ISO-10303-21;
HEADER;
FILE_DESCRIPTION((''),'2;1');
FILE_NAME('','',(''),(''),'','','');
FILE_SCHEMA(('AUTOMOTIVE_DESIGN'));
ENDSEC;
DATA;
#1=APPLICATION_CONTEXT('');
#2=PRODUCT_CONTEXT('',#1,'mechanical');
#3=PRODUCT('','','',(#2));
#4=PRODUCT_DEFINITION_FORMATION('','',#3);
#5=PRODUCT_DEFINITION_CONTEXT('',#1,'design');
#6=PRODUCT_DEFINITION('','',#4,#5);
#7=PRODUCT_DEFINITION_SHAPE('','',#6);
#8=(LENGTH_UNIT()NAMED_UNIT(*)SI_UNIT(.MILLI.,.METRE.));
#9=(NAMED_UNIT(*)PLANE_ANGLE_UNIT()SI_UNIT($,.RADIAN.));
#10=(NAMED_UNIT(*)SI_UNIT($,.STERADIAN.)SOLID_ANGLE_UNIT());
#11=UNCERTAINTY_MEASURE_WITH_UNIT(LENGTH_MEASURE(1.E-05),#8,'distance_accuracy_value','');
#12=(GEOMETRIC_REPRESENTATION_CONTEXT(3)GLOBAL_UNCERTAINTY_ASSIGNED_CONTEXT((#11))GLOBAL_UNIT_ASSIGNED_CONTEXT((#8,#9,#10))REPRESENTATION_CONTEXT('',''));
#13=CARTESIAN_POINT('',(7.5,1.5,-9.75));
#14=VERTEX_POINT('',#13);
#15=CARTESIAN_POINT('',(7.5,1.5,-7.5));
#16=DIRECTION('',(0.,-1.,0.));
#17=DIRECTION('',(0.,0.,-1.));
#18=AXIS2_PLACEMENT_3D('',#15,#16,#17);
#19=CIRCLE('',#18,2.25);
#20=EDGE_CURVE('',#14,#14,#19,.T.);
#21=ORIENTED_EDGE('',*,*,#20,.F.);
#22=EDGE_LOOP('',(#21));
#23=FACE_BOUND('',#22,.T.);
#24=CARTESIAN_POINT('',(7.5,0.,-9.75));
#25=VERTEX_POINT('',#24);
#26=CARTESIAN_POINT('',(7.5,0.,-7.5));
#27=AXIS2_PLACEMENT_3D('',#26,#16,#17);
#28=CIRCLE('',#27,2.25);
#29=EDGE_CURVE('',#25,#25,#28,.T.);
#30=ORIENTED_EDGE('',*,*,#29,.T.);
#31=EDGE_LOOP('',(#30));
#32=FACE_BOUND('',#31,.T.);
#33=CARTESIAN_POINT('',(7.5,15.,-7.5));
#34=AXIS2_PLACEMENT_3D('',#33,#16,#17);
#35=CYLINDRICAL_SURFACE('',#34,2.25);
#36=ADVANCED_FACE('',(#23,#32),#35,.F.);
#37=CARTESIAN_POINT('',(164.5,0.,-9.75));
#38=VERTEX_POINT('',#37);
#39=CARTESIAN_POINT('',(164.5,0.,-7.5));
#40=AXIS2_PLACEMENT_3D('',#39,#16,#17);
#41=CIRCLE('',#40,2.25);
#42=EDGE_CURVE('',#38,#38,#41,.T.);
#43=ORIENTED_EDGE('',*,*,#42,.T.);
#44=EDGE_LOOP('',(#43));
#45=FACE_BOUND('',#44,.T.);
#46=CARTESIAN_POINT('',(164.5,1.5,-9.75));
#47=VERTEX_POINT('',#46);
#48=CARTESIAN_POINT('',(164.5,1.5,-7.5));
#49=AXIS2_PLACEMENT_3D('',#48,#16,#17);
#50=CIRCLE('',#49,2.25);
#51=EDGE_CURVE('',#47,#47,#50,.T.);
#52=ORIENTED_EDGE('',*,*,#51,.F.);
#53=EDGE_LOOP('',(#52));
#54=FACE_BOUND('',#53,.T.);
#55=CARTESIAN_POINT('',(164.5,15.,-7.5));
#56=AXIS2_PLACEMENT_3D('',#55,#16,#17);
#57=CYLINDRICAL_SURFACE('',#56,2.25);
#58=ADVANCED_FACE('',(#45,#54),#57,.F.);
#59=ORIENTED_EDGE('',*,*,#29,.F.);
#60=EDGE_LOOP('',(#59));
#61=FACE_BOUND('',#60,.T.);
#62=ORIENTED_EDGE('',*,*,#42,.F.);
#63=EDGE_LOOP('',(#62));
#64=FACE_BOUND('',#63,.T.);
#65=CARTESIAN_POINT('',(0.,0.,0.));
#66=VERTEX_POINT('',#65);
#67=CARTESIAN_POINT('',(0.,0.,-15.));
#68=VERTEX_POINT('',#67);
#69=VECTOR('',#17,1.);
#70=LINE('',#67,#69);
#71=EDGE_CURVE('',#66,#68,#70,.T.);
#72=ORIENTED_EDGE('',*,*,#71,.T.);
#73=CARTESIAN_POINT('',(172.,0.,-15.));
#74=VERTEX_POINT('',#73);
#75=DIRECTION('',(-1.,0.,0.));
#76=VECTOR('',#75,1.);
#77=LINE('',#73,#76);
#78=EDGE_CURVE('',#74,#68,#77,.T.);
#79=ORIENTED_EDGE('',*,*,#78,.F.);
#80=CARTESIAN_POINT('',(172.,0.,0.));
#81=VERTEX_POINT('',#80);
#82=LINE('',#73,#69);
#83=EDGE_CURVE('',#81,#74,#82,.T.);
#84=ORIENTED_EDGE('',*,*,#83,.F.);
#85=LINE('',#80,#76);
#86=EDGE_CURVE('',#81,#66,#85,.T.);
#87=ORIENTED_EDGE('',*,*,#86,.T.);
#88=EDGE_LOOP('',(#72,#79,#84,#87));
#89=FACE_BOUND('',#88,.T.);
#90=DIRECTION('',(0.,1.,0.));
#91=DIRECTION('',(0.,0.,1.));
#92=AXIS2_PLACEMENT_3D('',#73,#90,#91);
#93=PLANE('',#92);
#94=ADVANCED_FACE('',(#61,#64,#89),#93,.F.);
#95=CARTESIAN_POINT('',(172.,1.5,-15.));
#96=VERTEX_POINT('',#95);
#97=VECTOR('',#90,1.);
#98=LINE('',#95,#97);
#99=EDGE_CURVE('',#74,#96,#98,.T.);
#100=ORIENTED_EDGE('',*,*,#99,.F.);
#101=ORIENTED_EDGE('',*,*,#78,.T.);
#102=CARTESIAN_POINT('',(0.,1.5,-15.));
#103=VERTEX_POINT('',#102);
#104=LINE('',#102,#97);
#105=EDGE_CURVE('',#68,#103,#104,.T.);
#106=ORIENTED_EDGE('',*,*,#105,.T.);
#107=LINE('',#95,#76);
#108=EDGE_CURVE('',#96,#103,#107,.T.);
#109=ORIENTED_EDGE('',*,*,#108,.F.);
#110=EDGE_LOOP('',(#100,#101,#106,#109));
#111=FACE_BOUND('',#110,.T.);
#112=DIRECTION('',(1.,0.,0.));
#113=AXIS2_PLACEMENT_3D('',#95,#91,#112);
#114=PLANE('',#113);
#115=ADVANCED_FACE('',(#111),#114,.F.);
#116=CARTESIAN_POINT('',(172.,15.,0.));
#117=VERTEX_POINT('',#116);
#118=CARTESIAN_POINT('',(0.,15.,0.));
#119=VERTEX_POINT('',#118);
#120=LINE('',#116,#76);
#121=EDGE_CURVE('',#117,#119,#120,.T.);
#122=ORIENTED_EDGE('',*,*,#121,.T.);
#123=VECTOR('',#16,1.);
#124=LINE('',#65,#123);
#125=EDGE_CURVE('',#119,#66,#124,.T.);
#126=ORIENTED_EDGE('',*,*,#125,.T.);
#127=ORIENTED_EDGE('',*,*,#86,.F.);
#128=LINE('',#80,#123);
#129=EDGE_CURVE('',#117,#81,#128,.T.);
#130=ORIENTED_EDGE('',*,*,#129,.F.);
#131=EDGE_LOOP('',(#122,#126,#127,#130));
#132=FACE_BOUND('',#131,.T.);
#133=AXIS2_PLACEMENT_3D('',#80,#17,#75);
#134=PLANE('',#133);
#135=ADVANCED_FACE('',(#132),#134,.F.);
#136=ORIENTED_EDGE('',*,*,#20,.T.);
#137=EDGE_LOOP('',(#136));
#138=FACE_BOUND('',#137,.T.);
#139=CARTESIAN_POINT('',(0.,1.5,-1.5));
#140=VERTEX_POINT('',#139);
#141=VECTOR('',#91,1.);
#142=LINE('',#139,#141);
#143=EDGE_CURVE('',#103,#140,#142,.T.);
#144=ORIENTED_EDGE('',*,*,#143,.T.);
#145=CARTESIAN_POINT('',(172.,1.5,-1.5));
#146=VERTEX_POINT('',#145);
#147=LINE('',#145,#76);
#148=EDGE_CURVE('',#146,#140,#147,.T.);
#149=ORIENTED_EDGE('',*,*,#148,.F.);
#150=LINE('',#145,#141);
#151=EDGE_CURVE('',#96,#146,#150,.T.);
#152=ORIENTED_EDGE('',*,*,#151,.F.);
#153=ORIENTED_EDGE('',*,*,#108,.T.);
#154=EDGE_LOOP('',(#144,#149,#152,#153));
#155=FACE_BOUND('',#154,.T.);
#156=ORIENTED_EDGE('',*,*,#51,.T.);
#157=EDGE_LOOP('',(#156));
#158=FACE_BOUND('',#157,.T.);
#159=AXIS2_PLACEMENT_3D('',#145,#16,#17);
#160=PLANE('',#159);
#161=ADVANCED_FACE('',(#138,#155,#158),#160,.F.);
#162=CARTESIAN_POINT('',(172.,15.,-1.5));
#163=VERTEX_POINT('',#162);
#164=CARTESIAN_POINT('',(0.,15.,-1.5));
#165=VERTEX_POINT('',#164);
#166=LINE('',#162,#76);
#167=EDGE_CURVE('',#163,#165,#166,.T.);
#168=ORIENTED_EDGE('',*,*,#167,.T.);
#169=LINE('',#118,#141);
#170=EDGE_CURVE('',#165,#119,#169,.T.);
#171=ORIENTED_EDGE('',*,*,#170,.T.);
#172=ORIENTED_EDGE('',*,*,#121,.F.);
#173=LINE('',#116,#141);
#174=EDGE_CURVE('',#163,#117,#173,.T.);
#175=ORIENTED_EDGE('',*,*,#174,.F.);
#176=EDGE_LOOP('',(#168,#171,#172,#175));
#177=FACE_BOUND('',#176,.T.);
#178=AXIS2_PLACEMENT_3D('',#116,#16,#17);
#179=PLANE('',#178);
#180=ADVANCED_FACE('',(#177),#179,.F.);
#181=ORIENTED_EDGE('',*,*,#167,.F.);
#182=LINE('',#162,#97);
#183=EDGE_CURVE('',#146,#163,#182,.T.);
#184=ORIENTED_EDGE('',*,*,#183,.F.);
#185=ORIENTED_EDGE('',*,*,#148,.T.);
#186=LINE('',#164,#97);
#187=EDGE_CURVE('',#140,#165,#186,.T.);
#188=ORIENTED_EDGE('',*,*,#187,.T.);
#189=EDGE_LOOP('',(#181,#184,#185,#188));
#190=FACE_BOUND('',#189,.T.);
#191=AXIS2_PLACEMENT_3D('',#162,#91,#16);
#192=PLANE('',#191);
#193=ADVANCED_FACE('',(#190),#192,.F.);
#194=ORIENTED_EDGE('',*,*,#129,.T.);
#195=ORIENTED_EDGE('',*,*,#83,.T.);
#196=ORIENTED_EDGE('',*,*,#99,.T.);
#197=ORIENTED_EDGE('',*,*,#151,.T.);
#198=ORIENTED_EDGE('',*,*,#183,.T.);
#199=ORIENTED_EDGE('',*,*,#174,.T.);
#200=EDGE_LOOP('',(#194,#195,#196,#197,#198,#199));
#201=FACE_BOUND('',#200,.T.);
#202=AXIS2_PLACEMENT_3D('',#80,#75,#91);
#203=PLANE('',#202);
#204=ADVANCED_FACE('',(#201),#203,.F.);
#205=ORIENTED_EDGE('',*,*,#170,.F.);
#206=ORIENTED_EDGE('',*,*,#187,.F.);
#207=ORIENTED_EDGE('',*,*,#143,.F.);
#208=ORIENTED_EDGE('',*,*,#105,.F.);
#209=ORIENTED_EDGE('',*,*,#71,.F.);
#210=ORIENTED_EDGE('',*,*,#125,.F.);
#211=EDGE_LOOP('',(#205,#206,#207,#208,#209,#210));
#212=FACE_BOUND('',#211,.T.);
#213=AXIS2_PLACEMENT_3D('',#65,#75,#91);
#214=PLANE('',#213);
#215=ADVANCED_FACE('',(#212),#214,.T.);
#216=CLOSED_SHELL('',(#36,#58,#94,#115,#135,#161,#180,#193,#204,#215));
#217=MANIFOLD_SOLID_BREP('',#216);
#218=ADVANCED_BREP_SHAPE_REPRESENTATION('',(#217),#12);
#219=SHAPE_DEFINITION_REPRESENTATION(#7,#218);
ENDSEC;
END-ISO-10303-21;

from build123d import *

# Parameters (mm, degrees)
EXTRUDE_1_DEPTH     = 172
SKETCH_2_R          = 2.25
CUT_EXTRUDE_1_DEPTH = 16


with BuildPart() as part:
    # Эскиз1 → Бобышка-Вытянуть1 (new body)
    with BuildSketch(Plane(origin=(0, 0, 0), x_dir=(0, 0, -1), z_dir=(1, 0, 0))):
        Polygon((0, 0), (0, 15), (1.5, 15), (1.5, 1.5), (15, 1.5), (15, 0), align=None)
    extrude(amount=EXTRUDE_1_DEPTH)

    # Эскиз2 → Вырез-Вытянуть1 (cut, through all)
    with BuildSketch(Plane.XZ):
        with Locations((7.5, -7.5)):
            Circle(SKETCH_2_R)
        with Locations((164.5, -7.5)):
            Circle(SKETCH_2_R)
    extrude(amount=-CUT_EXTRUDE_1_DEPTH, mode=Mode.SUBTRACT)


solid = part.part
